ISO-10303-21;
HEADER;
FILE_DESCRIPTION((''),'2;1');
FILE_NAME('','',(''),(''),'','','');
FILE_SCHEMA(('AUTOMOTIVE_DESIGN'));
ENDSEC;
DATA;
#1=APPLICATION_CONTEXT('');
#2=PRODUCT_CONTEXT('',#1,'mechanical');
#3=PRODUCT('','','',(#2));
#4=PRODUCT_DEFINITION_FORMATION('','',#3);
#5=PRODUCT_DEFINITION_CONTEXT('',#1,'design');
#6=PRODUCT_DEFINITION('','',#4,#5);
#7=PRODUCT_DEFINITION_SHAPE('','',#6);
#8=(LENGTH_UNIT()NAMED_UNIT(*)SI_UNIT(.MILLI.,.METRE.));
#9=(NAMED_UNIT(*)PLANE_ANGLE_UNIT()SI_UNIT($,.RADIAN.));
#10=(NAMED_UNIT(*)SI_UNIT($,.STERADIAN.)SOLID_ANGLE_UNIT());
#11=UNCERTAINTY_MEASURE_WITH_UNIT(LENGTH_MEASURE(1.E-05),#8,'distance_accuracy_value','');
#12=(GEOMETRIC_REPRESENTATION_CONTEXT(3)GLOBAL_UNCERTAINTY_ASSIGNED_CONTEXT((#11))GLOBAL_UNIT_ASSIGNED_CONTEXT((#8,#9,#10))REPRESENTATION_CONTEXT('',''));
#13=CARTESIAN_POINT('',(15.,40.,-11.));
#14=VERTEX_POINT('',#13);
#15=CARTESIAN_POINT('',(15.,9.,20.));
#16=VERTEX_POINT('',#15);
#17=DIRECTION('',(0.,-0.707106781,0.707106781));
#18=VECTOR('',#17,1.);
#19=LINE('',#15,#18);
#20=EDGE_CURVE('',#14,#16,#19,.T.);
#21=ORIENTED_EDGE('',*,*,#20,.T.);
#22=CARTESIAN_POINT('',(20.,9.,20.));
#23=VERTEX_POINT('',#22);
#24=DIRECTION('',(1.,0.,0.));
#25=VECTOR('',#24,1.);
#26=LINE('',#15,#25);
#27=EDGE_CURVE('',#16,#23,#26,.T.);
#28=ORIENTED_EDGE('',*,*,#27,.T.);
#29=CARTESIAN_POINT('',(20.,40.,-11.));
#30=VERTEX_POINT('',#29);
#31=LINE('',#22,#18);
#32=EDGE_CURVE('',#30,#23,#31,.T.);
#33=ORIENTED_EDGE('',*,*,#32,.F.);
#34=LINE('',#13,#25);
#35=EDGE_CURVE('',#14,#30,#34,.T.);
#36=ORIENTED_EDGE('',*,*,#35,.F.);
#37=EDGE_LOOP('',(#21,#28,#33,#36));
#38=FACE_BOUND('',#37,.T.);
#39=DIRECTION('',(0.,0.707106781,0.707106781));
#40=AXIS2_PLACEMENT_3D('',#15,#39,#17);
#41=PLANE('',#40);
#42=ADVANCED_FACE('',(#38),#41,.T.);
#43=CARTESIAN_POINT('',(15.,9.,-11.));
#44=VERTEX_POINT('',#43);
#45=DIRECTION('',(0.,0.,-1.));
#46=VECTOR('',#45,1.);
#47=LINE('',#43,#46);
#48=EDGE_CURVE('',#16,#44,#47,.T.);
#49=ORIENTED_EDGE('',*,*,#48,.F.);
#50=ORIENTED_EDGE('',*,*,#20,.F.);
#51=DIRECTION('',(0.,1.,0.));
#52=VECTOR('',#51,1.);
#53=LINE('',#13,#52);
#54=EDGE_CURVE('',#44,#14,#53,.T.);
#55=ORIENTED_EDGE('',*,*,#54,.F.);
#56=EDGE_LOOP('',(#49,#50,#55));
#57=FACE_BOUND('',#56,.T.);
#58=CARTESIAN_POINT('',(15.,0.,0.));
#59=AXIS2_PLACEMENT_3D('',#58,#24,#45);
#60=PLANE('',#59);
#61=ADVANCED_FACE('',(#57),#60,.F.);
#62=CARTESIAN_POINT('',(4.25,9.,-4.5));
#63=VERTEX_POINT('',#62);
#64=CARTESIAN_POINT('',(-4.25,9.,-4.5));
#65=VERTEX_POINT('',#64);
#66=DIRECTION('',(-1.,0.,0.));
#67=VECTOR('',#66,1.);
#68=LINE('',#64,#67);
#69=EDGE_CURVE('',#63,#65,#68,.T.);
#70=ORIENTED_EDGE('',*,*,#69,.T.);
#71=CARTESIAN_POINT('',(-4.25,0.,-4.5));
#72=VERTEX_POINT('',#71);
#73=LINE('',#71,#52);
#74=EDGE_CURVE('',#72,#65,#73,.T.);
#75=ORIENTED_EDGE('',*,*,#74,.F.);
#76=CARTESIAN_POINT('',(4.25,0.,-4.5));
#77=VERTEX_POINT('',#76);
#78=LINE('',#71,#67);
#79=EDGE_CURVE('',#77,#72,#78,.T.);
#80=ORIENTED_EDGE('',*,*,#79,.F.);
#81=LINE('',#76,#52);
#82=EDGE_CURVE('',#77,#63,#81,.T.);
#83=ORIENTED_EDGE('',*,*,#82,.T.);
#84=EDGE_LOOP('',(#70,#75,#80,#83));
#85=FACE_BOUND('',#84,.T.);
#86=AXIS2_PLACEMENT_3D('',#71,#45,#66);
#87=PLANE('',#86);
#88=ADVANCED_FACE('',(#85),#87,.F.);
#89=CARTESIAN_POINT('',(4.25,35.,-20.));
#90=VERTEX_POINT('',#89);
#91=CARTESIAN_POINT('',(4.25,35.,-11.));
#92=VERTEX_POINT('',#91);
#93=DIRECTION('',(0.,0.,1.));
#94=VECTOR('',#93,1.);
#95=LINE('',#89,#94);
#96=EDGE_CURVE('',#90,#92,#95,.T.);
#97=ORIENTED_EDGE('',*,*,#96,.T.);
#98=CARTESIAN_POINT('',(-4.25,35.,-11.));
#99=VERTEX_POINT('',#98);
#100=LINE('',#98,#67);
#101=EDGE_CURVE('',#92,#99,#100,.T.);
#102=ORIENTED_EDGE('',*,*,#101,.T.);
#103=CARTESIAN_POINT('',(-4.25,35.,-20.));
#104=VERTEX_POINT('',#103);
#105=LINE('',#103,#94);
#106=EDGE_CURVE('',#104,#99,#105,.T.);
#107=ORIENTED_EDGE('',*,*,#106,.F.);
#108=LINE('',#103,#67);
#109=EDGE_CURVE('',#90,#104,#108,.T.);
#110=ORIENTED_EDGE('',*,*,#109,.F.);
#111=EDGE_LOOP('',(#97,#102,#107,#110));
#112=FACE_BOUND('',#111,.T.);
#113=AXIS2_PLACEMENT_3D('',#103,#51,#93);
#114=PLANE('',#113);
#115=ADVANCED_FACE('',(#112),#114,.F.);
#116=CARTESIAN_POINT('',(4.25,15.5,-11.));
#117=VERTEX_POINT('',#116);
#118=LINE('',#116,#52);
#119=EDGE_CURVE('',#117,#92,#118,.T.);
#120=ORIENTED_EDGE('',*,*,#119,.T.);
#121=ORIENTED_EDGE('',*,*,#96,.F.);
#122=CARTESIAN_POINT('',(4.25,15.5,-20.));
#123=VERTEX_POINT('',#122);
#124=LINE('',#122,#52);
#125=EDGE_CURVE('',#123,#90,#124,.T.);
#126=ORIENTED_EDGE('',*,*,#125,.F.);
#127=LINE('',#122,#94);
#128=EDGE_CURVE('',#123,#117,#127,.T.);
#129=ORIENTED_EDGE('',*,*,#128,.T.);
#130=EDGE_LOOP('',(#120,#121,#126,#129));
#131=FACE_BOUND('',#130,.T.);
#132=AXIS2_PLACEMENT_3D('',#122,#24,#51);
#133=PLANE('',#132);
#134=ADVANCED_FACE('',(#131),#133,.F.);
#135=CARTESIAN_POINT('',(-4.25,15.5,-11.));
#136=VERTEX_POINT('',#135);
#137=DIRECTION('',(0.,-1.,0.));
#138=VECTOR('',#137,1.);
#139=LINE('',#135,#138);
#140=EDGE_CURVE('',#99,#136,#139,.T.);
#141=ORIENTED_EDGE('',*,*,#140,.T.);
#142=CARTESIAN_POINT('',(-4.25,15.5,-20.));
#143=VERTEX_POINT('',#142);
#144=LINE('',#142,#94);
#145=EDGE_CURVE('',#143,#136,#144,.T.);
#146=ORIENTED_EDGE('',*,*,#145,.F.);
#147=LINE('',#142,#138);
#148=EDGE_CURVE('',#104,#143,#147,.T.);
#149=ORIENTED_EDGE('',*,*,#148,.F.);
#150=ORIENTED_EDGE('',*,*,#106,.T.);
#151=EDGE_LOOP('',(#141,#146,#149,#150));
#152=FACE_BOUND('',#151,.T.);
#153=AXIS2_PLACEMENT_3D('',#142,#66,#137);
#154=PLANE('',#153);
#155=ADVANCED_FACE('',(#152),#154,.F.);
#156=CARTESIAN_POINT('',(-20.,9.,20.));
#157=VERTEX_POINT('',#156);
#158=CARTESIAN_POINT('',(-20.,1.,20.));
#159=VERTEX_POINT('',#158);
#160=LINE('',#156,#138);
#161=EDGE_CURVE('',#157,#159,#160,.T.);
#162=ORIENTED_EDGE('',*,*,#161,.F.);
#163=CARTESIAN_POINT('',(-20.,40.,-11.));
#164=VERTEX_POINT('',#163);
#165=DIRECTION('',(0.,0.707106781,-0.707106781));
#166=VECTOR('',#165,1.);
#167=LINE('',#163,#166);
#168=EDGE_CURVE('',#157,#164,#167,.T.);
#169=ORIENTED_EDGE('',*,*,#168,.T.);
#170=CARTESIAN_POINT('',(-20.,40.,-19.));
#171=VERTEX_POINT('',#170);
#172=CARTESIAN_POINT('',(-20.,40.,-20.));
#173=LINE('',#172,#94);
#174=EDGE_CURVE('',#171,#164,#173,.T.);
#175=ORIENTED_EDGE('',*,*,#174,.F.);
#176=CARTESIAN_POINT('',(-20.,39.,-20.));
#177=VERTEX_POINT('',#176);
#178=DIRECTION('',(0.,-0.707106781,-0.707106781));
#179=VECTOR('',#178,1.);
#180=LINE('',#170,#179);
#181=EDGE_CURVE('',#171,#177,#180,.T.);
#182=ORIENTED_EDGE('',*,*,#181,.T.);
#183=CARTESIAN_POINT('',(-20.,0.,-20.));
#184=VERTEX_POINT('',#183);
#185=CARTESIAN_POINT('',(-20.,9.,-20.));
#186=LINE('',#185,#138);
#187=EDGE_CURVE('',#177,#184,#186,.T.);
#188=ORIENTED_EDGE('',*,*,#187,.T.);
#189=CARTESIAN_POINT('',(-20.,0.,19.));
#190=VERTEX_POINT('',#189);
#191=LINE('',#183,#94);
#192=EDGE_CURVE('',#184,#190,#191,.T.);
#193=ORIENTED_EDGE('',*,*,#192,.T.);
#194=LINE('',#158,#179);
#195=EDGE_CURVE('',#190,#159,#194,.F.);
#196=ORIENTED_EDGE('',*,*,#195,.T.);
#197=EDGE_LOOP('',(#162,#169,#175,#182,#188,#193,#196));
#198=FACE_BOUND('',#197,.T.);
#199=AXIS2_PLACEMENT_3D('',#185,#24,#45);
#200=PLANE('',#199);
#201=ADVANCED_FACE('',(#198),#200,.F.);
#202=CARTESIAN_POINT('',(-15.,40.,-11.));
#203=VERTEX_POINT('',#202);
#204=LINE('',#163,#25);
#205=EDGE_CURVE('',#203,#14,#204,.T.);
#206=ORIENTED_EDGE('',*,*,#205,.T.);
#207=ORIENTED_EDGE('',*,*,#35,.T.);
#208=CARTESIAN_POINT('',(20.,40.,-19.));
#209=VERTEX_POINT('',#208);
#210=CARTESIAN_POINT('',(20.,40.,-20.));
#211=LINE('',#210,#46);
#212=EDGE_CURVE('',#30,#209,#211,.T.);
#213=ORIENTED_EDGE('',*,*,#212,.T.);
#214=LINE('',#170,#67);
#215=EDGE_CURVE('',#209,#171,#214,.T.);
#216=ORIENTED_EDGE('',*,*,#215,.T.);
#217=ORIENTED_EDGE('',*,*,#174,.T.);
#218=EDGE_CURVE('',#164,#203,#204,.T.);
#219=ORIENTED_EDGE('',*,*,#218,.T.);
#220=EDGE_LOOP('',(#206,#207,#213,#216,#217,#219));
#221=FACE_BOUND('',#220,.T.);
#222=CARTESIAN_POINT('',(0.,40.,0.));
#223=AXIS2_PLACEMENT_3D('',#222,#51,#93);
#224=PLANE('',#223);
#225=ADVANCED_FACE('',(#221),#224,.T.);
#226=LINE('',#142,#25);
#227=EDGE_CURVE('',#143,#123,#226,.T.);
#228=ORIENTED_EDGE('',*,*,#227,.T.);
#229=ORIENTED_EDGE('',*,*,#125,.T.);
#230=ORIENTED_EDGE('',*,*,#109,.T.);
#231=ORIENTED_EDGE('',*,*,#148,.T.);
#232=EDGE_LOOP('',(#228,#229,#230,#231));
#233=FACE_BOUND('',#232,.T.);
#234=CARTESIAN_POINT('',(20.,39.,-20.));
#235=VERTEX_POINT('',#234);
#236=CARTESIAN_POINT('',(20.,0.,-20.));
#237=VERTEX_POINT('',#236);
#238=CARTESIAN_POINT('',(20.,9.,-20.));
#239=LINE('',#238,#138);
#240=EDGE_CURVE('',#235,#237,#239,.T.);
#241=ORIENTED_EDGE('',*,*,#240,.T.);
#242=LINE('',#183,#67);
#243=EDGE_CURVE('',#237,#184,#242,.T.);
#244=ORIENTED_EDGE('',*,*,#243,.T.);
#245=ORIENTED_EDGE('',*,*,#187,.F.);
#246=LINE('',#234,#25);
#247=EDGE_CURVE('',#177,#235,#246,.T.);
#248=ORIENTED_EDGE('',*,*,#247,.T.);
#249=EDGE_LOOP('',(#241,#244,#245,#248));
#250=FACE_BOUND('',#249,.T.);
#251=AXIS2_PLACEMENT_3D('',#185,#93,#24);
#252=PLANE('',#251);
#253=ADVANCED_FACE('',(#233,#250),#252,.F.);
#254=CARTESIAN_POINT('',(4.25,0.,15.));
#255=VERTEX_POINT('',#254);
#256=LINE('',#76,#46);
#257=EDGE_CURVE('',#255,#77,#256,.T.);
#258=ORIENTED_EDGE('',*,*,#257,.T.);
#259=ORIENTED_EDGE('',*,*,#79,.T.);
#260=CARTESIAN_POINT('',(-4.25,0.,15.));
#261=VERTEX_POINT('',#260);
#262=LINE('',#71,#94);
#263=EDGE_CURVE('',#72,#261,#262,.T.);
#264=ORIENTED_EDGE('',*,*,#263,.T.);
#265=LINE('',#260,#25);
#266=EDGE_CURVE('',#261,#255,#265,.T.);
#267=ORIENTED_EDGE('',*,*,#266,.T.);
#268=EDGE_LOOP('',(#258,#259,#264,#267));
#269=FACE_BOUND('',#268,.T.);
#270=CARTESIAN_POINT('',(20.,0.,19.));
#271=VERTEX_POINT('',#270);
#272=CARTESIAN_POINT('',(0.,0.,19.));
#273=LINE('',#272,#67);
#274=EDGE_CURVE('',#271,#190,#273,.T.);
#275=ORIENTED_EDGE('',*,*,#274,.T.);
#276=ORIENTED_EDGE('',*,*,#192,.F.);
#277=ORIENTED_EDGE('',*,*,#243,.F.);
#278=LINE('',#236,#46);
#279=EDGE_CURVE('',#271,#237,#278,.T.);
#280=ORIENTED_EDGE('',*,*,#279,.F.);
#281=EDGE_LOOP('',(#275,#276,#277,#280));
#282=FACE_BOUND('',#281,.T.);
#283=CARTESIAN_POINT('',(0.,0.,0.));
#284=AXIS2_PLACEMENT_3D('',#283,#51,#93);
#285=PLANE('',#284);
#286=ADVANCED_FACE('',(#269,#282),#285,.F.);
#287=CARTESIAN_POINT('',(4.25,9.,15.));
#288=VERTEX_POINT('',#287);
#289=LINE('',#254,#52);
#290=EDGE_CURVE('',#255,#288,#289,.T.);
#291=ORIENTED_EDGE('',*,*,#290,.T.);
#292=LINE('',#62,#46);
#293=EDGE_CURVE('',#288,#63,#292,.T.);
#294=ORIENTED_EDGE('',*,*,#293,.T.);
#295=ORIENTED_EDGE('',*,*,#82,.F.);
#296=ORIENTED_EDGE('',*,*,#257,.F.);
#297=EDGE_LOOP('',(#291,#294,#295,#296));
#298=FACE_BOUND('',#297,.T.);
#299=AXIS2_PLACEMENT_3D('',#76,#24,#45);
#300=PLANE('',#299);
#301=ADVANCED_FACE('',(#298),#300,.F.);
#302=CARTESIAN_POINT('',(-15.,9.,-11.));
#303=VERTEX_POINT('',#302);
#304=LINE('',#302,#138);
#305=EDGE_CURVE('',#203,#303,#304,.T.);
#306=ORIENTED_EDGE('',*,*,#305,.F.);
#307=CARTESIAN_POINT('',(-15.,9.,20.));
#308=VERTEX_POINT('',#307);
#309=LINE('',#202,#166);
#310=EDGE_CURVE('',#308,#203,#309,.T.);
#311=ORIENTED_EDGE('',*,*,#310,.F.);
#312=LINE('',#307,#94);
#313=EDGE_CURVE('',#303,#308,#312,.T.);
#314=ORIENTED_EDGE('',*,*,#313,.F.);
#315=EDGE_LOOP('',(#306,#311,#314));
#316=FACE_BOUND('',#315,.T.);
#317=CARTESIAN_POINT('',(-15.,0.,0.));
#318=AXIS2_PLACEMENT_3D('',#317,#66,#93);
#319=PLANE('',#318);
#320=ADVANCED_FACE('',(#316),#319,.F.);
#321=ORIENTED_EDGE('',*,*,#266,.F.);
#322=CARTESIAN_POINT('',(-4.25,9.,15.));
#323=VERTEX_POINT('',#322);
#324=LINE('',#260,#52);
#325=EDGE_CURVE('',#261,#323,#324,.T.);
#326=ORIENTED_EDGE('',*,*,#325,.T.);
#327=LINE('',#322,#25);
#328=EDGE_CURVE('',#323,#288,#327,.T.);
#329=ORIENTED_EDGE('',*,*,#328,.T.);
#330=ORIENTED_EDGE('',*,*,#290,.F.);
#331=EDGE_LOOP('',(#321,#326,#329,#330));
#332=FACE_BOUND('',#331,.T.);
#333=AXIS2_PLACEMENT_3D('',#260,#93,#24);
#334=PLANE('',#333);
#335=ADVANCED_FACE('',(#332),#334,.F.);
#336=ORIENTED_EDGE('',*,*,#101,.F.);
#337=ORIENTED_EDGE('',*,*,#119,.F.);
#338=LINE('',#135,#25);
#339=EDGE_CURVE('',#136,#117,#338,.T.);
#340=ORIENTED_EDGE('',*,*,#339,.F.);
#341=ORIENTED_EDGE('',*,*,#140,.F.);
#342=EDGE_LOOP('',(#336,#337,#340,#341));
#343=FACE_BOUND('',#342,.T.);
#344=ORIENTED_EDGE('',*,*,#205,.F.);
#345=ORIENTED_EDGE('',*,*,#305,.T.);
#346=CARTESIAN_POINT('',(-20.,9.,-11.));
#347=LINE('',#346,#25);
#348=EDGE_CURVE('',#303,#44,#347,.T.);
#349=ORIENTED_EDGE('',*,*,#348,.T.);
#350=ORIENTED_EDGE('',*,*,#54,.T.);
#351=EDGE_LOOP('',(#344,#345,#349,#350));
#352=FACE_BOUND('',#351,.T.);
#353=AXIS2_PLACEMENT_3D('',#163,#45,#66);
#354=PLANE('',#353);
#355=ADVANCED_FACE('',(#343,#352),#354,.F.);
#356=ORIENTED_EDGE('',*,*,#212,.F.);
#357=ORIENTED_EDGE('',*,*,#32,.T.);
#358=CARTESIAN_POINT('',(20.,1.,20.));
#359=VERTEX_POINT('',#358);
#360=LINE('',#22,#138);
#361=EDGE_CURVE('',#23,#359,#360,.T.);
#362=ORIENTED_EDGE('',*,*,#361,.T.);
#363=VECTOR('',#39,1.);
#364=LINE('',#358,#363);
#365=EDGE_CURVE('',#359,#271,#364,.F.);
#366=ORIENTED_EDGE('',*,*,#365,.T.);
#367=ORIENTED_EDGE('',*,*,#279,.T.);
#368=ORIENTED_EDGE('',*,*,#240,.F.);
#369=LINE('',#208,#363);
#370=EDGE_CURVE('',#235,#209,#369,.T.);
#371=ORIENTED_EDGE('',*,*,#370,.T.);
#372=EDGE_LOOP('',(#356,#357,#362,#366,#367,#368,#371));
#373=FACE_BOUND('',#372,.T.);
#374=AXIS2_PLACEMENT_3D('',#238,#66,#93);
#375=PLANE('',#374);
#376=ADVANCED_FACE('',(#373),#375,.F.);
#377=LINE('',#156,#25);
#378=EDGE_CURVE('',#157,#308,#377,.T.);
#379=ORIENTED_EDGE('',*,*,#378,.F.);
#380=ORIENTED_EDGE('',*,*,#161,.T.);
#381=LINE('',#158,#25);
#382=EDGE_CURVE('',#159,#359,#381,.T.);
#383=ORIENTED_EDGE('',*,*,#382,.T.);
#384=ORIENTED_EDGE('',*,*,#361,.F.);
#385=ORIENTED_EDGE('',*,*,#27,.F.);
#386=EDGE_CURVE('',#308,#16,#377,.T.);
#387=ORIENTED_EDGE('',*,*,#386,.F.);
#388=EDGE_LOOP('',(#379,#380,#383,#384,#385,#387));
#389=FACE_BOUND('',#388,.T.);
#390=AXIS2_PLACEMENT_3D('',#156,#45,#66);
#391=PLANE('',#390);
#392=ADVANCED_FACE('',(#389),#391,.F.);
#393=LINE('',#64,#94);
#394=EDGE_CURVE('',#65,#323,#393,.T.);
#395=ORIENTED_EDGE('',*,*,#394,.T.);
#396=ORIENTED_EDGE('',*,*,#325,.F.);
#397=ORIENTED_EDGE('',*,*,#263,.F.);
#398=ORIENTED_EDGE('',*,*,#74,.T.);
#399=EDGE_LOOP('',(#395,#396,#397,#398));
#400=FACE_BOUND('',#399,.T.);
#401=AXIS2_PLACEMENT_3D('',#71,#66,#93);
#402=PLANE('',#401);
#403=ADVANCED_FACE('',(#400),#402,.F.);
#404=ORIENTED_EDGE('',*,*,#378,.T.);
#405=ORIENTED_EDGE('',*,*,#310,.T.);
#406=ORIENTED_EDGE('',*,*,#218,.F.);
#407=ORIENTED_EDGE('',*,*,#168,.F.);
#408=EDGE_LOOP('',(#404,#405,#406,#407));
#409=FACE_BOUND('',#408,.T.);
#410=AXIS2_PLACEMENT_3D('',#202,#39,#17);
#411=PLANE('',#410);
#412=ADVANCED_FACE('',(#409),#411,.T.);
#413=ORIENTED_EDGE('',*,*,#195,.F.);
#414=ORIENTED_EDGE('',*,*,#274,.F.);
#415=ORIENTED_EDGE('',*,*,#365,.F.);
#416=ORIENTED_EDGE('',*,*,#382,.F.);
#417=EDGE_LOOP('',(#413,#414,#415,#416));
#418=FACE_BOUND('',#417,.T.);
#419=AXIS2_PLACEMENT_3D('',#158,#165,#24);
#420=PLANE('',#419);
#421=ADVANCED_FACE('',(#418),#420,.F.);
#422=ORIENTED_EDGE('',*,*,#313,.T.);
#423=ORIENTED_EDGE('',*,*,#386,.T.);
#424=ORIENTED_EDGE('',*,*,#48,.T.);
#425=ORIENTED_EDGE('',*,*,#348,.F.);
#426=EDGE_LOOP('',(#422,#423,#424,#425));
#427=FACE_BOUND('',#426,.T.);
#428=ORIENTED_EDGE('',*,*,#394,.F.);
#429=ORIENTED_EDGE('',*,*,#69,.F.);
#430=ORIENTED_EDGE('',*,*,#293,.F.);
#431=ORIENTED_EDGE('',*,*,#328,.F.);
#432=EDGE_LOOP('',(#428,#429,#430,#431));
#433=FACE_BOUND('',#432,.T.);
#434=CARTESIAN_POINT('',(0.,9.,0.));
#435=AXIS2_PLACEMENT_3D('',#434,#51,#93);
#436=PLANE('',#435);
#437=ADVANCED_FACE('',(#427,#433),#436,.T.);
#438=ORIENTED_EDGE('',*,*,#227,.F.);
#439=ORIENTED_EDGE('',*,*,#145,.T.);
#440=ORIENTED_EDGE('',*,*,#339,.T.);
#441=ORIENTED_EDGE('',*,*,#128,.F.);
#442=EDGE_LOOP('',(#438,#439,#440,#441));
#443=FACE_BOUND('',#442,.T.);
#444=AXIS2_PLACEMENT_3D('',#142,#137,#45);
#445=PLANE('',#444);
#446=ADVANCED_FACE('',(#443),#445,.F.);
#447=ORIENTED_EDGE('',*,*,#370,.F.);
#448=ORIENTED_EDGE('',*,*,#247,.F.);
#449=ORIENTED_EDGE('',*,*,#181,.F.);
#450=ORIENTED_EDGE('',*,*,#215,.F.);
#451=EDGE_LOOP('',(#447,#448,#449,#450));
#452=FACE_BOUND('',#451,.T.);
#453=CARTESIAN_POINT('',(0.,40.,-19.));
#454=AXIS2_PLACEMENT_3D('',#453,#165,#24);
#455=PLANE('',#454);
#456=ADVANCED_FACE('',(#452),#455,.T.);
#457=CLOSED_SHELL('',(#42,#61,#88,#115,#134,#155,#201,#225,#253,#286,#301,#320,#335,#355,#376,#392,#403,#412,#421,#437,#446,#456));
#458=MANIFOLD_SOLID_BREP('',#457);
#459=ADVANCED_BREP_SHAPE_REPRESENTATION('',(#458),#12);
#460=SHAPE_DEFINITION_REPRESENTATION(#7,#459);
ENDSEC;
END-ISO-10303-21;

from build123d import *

# Parameters (mm, degrees)
SKETCH1_W           = 40
SKETCH1_H           = 40
BOSS_EXTRUDE1_DEPTH = 9
SKETCH2_W           = 40
SKETCH2_H           = 9
BOSS_EXTRUDE2_DEPTH = 31
SKETCH3_W           = 8.5
SKETCH3_H           = 19.5
CUT_EXTRUDE1_DEPTH  = 42.964270517
SKETCH4_W           = 8.5
SKETCH4_H           = 19.5
CUT_EXTRUDE2_DEPTH  = 55.415071442
BOSS_EXTRUDE3_DEPTH = 5
BOSS_EXTRUDE4_DEPTH = 5
CHAMFER1_SIZE       = 1


with BuildPart() as part:
    # Sketch1 → Boss-Extrude1 (new body)
    with BuildSketch(Plane(origin=(0, 0, 0), x_dir=(1, 0, 0), z_dir=(0, 1, 0))):
        Rectangle(SKETCH1_W, SKETCH1_H)
    extrude(amount=BOSS_EXTRUDE1_DEPTH)

    # Sketch2 → Boss-Extrude2 (add)
    with BuildSketch(Plane(origin=(0, 9, 0), x_dir=(1, 0, 0), z_dir=(0, 1, 0))):
        with Locations((0, 15.5)):
            Rectangle(SKETCH2_W, SKETCH2_H)
    extrude(amount=BOSS_EXTRUDE2_DEPTH)

    # Sketch3 → Cut-Extrude1 (cut, through all)
    with BuildSketch(Plane(origin=(0, 9, 0), x_dir=(1, 0, 0), z_dir=(0, 1, 0))):
        with Locations((0, -5.25)):
            Rectangle(SKETCH3_W, SKETCH3_H)
    extrude(amount=-CUT_EXTRUDE1_DEPTH, mode=Mode.SUBTRACT)

    # Sketch4 → Cut-Extrude2 (cut, through all)
    with BuildSketch(Plane.XY.offset(-11)):
        with Locations((0, 25.25)):
            Rectangle(SKETCH4_W, SKETCH4_H)
    extrude(amount=-CUT_EXTRUDE2_DEPTH, mode=Mode.SUBTRACT)

    # Sketch5 → Boss-Extrude3 (add)
    with BuildSketch(Plane.ZY.offset(20)):
        Polygon((-11, 40), (20, 9), (-11, 9), align=None)
    extrude(amount=-BOSS_EXTRUDE3_DEPTH)

    # Sketch6 → Boss-Extrude4 (add)
    with BuildSketch(Plane(origin=(20, 0, 0), x_dir=(0, 0, -1), z_dir=(1, 0, 0))):
        Polygon((-20, 9), (11, 40), (11, 9), align=None)
    extrude(amount=-BOSS_EXTRUDE4_DEPTH)

    # Chamfer1
    chamfer1_edges = [part.edges().sort_by_distance(p)[0] for p in [
        (0, 40, -20),
        (0, 0, 20),
    ]]
    chamfer(chamfer1_edges, length=CHAMFER1_SIZE)


solid = part.part
